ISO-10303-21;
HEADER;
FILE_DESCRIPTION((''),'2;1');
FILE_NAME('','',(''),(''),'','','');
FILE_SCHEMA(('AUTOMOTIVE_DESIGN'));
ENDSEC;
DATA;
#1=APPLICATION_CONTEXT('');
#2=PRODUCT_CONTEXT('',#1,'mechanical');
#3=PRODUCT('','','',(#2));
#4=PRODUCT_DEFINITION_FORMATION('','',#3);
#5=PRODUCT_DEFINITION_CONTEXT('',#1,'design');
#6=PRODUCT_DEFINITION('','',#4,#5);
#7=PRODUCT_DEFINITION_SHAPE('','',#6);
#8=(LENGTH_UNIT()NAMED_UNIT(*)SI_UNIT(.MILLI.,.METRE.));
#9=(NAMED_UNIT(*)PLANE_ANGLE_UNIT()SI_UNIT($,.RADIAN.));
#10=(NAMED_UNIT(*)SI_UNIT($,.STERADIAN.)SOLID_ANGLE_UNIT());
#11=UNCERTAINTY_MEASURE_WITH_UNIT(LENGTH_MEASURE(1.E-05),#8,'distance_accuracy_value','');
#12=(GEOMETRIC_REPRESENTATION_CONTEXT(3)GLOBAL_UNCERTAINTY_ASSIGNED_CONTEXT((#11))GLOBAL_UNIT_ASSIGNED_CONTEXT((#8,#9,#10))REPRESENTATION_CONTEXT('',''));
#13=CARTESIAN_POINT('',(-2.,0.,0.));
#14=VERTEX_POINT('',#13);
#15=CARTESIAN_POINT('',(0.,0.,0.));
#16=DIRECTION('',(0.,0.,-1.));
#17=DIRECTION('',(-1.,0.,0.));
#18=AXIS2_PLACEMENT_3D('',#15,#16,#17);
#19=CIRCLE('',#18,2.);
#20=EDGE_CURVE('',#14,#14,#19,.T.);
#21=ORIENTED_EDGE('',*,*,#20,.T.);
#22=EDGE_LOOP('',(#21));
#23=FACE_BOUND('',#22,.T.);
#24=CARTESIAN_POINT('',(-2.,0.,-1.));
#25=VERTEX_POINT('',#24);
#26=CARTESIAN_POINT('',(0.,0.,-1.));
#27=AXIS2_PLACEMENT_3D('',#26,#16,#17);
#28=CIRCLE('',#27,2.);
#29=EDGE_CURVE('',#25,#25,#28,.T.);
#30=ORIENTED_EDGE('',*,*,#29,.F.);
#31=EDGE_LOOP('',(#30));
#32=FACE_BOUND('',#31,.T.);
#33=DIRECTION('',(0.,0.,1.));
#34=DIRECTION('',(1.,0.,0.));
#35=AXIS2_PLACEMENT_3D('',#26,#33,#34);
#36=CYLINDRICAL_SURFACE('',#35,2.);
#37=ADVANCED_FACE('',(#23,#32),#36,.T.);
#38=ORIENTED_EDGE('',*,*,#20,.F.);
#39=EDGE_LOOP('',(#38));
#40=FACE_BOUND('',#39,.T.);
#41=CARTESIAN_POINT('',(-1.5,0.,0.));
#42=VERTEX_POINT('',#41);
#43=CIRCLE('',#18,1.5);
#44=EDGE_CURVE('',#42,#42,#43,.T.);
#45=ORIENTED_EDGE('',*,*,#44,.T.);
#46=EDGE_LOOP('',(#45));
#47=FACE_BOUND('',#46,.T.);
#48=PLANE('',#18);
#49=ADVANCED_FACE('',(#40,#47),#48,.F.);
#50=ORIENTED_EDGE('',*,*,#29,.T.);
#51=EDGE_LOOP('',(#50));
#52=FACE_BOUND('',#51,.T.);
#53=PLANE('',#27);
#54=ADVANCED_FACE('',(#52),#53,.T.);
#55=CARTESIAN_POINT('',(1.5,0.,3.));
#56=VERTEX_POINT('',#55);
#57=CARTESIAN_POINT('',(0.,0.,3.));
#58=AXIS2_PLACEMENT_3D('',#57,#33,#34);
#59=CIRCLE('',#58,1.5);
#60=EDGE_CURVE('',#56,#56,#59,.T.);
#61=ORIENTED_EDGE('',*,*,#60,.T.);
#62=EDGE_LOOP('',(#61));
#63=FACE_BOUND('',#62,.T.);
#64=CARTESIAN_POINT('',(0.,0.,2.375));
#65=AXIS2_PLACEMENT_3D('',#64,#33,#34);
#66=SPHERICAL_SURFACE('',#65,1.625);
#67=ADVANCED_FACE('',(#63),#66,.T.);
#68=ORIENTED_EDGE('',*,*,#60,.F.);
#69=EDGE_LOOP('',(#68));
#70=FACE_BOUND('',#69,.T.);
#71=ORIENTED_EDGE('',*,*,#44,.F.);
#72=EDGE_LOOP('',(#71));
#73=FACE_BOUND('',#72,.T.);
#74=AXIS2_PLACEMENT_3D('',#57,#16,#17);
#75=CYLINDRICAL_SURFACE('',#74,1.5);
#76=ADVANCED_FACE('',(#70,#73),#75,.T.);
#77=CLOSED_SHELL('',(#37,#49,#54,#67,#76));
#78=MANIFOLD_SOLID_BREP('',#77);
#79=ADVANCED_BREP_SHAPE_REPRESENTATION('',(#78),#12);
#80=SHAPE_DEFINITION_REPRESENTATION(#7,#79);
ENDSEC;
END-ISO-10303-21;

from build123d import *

# Parameters (mm, degrees)
SKETCH_1_R         = 1.5
EXTRUDE_1_DEPTH    = 3
SKETCH_2_R         = 2
EXTRUDE_2_DEPTH    = 1
DOME_1_FACE_RADIUS = 1.5
DOME_1_HEIGHT      = 1


with BuildPart() as part:
    # 草图1 → 拉伸1 (new body)
    with BuildSketch(Plane.XY):
        Circle(SKETCH_1_R)
    extrude(amount=EXTRUDE_1_DEPTH)

    # 草图2 → 拉伸2 (add)
    with BuildSketch(Plane(origin=(0, 0, 0), x_dir=(-1, 0, 0), z_dir=(0, 0, -1))):
        Circle(SKETCH_2_R)
    extrude(amount=EXTRUDE_2_DEPTH)

    # 圆顶1: a dome of height H over a round flat face of radius A is a cap of a sphere of radius (A * A + H * H) / (2 * H)
    dome_1_r = (DOME_1_FACE_RADIUS * DOME_1_FACE_RADIUS + DOME_1_HEIGHT * DOME_1_HEIGHT) / (2 * DOME_1_HEIGHT)
    dome_1_base = Plane((0, 0, 3), z_dir=(0, 0, 1))
    with Locations(dome_1_base.offset(DOME_1_HEIGHT - dome_1_r)):
        dome_1_ball = Sphere(dome_1_r, mode=Mode.PRIVATE)
    add(split(dome_1_ball, bisect_by=dome_1_base, keep=Keep.TOP, mode=Mode.PRIVATE))


solid = part.part
